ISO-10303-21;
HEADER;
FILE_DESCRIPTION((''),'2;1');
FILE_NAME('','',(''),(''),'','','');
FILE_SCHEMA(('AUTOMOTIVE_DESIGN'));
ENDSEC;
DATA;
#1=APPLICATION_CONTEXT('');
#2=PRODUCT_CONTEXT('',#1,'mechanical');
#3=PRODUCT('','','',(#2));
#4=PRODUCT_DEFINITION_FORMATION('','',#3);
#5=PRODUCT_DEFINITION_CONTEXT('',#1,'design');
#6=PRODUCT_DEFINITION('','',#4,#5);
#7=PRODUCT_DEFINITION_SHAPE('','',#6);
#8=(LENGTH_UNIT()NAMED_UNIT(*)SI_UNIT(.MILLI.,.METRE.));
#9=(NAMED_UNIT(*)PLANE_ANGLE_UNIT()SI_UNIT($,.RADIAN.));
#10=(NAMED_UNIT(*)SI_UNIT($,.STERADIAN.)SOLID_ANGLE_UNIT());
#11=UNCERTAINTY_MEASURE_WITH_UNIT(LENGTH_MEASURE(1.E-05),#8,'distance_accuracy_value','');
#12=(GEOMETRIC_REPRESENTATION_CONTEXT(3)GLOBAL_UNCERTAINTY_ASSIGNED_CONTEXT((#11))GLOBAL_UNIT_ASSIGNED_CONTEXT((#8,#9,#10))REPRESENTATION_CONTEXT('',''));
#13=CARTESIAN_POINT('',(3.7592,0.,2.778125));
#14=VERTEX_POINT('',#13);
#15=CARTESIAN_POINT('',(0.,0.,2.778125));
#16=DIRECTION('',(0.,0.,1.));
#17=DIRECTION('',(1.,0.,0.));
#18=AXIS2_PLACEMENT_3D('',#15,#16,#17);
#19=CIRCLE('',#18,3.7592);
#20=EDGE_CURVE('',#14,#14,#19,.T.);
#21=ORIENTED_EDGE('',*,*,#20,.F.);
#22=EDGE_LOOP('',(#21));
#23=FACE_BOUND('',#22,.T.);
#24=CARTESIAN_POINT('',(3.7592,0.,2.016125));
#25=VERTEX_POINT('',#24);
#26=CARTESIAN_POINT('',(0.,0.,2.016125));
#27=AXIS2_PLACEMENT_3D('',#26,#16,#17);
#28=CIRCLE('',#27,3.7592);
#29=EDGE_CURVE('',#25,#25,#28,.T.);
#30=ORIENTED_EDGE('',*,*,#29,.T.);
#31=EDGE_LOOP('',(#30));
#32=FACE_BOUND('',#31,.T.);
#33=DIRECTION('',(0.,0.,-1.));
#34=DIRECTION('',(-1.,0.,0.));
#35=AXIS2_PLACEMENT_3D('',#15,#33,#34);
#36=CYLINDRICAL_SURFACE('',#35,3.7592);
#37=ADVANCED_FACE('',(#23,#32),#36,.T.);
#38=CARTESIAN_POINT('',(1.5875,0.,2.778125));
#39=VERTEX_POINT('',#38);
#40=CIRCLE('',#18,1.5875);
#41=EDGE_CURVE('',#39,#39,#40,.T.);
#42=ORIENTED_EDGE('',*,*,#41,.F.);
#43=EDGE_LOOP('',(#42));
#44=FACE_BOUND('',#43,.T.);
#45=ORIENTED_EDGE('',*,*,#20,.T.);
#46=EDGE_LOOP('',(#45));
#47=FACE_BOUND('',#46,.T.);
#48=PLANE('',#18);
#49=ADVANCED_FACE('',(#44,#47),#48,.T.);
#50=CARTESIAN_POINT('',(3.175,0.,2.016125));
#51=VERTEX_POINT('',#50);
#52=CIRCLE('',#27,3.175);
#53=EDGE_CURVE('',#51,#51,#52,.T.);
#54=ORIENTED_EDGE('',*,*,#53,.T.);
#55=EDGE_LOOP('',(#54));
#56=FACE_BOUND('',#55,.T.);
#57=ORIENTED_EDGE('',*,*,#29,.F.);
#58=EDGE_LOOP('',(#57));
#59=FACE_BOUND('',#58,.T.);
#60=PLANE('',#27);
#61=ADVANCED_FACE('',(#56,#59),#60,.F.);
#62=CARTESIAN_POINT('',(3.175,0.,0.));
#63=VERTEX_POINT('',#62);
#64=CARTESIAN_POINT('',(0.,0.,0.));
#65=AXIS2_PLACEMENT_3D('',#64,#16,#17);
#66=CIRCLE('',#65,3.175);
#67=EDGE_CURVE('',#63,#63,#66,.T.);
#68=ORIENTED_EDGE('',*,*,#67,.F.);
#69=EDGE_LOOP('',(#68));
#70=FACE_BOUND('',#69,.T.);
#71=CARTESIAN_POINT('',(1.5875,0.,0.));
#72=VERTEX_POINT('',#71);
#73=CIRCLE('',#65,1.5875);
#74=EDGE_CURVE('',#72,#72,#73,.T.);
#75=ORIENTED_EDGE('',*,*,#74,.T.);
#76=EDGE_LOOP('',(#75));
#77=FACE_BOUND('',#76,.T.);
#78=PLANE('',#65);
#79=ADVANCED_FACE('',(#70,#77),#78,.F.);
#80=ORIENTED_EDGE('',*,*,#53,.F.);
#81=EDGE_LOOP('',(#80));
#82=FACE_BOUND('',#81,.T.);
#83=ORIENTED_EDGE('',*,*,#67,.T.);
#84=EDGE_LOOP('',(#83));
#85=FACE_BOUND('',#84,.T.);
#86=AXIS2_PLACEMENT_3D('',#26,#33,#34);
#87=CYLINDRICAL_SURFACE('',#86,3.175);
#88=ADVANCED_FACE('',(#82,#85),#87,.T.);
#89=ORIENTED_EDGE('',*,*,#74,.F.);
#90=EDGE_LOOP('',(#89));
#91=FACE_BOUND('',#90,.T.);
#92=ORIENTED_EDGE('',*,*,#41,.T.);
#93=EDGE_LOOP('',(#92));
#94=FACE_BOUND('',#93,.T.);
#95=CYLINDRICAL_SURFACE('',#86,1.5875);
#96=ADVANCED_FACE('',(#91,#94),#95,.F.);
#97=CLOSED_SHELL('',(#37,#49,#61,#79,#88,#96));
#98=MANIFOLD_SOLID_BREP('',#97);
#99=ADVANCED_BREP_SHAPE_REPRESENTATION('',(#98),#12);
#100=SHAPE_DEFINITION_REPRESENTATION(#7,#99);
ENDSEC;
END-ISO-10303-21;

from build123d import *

# Parameters (mm, degrees)
SKETCH1_R           = 3.175
SKETCH1_R_2         = 1.5875
BOSS_EXTRUDE1_DEPTH = 2.016125
SKETCH2_R           = 3.7592
SKETCH2_R_2         = 1.5875
BOSS_EXTRUDE2_DEPTH = 0.762


with BuildPart() as part:
    # Sketch1 → Boss-Extrude1 (new body)
    with BuildSketch(Plane.XY):
        Circle(SKETCH1_R)
        Circle(SKETCH1_R_2, mode=Mode.SUBTRACT)
    extrude(amount=BOSS_EXTRUDE1_DEPTH)

    # Sketch2 → Boss-Extrude2 (add)
    with BuildSketch(Plane.XY.offset(2.016125)):
        Circle(SKETCH2_R)
        Circle(SKETCH2_R_2, mode=Mode.SUBTRACT)
    extrude(amount=BOSS_EXTRUDE2_DEPTH)


solid = part.part
